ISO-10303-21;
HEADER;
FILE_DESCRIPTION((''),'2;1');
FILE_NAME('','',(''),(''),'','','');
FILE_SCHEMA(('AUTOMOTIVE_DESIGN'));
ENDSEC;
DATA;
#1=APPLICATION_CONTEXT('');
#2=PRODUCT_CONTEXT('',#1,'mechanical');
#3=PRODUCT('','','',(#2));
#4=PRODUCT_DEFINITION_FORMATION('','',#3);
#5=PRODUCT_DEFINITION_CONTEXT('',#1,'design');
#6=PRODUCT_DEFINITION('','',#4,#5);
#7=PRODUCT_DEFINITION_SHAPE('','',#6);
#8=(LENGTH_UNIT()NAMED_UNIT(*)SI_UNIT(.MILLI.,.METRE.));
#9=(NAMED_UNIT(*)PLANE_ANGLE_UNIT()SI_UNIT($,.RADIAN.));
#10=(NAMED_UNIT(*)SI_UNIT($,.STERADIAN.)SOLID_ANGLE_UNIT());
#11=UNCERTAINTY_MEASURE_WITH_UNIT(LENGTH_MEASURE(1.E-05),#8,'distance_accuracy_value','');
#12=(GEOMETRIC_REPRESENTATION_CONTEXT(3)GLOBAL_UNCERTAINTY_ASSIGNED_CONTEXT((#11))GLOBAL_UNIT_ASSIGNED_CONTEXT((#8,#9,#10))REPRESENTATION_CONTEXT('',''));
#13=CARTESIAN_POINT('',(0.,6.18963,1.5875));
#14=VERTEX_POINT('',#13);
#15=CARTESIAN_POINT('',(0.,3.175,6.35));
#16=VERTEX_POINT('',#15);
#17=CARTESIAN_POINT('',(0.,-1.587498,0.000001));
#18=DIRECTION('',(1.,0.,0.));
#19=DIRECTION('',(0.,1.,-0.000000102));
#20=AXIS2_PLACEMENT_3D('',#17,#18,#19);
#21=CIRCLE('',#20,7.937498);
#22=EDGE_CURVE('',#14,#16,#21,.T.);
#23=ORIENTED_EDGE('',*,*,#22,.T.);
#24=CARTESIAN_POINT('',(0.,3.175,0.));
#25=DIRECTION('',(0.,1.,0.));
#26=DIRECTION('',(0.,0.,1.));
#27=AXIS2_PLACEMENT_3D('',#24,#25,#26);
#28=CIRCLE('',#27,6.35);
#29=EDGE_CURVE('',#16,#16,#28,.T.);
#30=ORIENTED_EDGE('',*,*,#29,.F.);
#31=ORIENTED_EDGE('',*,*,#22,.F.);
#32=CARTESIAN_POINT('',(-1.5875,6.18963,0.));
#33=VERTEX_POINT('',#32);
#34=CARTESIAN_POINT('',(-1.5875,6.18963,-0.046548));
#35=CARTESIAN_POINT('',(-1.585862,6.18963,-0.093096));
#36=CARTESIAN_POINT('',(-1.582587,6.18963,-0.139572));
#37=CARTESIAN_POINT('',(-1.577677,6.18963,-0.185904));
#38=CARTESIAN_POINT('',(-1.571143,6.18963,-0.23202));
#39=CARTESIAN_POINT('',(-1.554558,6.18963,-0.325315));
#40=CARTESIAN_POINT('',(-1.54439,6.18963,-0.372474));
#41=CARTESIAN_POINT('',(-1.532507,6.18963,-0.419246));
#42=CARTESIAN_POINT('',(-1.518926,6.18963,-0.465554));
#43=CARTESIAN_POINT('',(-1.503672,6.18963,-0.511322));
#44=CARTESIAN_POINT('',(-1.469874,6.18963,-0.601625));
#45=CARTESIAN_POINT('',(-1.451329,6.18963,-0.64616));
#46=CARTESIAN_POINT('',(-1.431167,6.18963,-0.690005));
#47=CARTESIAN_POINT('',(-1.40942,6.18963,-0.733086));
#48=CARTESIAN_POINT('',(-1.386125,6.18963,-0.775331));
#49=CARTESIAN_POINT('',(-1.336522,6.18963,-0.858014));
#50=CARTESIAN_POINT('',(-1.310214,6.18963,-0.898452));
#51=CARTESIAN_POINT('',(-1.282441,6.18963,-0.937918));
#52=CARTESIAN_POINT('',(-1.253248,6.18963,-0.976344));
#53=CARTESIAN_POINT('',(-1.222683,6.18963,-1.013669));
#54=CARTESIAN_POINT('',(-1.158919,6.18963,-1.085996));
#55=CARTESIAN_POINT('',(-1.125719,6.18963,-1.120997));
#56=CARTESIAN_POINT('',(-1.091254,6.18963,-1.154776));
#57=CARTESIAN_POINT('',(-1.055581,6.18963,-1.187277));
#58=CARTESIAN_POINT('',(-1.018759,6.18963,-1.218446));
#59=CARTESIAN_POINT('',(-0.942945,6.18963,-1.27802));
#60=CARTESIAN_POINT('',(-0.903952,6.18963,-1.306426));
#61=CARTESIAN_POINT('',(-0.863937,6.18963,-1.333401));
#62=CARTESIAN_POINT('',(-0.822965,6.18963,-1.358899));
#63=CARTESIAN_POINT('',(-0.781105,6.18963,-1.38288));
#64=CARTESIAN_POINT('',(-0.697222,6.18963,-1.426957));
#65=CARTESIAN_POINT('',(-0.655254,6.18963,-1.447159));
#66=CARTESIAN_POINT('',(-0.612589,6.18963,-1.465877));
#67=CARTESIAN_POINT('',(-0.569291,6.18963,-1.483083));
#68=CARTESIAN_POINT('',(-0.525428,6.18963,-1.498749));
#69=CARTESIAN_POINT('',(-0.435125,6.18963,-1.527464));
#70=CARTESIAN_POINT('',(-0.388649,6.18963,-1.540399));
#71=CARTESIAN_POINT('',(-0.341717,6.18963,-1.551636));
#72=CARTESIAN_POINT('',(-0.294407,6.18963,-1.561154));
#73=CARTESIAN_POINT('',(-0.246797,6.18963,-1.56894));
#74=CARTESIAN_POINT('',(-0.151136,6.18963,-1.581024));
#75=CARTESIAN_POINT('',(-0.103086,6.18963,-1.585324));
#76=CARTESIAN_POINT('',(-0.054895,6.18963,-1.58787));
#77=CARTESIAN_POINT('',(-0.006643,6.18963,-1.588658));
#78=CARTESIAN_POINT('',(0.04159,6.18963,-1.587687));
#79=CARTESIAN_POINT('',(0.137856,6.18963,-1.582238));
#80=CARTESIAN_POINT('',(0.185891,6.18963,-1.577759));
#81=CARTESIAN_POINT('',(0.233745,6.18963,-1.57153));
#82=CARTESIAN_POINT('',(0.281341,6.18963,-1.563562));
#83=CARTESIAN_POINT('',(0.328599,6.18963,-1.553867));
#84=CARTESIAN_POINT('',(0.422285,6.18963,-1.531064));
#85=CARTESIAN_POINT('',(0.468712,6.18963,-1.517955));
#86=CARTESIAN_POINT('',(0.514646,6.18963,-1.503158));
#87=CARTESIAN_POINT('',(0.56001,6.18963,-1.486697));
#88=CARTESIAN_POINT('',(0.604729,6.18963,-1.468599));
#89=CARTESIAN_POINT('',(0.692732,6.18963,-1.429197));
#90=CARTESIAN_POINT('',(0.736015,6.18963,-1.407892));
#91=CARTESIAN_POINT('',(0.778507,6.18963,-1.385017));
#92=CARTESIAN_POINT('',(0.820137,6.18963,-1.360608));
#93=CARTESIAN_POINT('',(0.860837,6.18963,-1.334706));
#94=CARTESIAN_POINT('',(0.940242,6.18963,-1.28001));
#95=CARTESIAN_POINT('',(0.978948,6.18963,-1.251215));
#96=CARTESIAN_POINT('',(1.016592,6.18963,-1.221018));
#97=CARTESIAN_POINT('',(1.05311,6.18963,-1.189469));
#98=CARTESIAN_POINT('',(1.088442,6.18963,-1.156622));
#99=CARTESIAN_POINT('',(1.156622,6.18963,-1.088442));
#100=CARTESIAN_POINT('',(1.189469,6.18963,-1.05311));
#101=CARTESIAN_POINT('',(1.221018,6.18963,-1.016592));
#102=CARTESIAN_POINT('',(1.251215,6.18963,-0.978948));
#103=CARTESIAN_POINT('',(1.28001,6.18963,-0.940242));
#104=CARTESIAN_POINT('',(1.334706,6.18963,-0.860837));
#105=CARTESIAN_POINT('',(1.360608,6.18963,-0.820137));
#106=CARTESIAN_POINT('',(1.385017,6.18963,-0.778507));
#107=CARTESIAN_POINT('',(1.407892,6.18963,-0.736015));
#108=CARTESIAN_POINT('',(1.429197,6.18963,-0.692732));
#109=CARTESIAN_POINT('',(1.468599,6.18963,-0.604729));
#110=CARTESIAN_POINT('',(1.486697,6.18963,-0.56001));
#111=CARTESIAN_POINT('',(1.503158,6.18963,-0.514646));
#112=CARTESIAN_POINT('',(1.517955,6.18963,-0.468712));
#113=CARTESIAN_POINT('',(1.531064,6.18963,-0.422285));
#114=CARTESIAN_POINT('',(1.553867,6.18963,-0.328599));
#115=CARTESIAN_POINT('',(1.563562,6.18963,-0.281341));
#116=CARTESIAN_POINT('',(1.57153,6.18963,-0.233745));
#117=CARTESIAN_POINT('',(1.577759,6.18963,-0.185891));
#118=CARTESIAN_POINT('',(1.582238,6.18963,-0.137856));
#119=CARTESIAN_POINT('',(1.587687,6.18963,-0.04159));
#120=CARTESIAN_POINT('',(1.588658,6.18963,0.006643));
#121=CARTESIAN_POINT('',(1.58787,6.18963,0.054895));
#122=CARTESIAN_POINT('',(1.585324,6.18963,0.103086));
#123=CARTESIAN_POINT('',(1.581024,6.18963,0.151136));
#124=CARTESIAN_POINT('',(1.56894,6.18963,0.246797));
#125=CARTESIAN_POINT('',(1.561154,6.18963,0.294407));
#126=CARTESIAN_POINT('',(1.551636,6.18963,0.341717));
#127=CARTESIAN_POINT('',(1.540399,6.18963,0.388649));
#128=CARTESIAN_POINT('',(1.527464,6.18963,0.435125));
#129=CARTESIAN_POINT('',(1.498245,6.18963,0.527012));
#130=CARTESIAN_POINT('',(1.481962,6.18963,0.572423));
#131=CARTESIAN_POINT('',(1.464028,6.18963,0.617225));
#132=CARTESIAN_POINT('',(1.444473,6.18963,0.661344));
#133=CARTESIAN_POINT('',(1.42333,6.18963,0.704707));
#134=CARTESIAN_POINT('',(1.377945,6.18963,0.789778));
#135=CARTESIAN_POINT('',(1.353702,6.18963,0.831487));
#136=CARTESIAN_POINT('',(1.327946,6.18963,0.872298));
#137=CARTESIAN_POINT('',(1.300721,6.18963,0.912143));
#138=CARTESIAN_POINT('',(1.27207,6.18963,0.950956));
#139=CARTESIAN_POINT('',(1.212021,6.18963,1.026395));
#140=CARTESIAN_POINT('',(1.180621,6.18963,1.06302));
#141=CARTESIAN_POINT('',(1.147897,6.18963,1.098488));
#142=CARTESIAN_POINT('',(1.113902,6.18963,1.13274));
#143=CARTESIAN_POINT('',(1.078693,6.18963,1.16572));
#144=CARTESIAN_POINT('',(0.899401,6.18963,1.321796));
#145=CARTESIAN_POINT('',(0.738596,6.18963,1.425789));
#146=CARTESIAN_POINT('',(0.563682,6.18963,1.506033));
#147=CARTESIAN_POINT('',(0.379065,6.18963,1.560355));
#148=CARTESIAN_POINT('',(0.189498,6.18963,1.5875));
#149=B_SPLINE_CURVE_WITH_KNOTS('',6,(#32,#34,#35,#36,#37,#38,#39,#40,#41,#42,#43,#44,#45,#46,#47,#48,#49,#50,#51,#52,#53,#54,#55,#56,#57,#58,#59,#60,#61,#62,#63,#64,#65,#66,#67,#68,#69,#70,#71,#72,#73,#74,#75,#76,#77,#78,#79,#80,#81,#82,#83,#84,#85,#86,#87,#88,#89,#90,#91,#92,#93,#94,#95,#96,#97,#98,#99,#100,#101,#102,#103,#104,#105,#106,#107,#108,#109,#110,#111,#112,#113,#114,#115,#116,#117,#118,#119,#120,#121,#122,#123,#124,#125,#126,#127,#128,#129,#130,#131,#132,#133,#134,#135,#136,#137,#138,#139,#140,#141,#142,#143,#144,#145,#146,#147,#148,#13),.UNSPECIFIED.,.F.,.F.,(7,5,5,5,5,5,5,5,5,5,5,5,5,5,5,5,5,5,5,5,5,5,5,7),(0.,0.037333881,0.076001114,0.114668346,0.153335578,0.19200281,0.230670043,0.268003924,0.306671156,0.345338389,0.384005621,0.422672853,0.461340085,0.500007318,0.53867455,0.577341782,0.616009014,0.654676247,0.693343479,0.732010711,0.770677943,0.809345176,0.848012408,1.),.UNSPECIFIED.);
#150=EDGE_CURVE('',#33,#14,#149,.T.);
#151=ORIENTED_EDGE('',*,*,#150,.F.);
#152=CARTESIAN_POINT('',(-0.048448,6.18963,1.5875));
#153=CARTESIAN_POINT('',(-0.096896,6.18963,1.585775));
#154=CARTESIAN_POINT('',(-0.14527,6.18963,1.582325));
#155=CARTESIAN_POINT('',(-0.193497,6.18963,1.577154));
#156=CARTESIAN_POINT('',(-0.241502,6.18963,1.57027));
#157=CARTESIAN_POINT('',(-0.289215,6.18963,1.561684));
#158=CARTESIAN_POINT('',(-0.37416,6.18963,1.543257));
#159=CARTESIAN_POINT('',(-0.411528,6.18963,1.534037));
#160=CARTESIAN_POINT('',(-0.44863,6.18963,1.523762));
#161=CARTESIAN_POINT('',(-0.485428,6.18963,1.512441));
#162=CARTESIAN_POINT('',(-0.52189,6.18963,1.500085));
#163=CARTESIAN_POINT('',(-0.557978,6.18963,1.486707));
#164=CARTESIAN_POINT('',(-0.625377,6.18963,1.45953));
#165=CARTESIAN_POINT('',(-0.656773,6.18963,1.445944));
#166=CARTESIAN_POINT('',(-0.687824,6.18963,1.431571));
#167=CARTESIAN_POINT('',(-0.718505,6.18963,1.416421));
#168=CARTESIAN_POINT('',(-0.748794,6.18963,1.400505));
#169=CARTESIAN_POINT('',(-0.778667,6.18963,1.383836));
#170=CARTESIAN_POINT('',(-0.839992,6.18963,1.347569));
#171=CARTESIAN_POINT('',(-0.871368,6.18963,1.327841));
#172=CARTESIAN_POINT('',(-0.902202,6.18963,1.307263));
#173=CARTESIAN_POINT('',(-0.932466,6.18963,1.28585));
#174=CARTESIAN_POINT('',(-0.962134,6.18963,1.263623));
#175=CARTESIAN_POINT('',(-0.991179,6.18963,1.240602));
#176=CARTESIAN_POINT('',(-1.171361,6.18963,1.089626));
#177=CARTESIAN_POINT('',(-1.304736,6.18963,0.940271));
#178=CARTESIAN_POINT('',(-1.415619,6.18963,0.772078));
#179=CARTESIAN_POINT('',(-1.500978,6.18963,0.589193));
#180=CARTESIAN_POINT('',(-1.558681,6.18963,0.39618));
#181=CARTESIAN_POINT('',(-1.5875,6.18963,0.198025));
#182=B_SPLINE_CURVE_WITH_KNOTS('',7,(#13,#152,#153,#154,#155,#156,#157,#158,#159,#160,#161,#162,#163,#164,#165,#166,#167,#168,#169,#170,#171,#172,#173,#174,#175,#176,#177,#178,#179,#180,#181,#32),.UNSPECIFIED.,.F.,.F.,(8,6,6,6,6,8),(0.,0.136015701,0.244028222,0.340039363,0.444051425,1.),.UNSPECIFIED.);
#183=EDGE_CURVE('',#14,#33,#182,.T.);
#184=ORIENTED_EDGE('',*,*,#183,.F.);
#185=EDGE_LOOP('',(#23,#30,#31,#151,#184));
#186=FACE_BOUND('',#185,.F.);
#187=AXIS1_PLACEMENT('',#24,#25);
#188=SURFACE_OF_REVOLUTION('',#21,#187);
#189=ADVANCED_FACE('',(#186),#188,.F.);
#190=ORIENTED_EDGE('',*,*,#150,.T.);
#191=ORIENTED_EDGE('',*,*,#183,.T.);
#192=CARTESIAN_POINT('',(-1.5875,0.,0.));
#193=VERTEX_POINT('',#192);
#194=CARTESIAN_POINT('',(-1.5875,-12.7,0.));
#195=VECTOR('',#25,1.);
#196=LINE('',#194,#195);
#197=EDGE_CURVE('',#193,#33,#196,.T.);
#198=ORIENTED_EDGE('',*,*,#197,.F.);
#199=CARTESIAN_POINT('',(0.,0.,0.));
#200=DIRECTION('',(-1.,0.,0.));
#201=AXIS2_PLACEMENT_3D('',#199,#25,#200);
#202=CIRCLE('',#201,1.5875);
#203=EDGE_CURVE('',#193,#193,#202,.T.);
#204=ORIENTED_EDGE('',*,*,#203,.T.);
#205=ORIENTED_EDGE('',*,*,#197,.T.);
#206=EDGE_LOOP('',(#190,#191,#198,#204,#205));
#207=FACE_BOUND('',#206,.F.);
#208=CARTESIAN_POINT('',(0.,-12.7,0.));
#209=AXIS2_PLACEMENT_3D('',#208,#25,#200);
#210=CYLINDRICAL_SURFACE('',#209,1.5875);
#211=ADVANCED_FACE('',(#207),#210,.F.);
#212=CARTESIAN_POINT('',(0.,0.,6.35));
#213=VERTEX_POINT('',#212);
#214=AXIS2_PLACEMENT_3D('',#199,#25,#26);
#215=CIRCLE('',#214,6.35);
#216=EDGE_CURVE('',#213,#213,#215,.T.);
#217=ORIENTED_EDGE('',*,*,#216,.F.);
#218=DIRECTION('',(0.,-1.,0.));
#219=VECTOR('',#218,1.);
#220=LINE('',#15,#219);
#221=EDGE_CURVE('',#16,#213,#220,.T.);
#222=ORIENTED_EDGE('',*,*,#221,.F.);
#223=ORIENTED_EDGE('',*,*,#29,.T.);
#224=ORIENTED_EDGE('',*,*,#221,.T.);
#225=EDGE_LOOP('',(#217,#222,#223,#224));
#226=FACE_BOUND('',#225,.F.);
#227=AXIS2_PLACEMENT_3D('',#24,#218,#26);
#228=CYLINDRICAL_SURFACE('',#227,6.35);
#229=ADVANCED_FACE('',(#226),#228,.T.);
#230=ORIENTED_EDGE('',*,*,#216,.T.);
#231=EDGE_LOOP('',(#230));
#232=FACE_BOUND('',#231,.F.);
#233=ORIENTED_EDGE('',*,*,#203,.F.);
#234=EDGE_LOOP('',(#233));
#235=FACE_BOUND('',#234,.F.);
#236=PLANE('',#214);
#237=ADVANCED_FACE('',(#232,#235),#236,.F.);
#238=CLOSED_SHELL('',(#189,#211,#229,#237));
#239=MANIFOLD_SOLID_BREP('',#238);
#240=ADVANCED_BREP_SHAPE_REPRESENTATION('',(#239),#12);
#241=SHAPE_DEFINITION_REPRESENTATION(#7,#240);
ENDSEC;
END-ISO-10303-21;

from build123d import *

# Parameters (mm, degrees)
F3_D     = 3.175
F3_DEPTH = 12.7


with BuildPart() as f1:
    # F0 (on Right) → F1 (revolve)
    with BuildSketch(Plane.YZ):
        with BuildLine():
            Line((0, 6.35), (0, 0))
            Line((0, 0), (6.35, 0))
            ThreePointArc((6.35, 0), (5.512016, 3.549758), (3.175, 6.35))
            Line((3.175, 6.35), (0, 6.35))
        make_face()
    revolve(axis=Axis((0, 3.175, 0), (0, 1, 0)))

    # F3
    with Locations(Plane.XZ):
        with Locations((0, 0)):
            Hole(F3_D / 2, depth=F3_DEPTH)


solid = f1.part
